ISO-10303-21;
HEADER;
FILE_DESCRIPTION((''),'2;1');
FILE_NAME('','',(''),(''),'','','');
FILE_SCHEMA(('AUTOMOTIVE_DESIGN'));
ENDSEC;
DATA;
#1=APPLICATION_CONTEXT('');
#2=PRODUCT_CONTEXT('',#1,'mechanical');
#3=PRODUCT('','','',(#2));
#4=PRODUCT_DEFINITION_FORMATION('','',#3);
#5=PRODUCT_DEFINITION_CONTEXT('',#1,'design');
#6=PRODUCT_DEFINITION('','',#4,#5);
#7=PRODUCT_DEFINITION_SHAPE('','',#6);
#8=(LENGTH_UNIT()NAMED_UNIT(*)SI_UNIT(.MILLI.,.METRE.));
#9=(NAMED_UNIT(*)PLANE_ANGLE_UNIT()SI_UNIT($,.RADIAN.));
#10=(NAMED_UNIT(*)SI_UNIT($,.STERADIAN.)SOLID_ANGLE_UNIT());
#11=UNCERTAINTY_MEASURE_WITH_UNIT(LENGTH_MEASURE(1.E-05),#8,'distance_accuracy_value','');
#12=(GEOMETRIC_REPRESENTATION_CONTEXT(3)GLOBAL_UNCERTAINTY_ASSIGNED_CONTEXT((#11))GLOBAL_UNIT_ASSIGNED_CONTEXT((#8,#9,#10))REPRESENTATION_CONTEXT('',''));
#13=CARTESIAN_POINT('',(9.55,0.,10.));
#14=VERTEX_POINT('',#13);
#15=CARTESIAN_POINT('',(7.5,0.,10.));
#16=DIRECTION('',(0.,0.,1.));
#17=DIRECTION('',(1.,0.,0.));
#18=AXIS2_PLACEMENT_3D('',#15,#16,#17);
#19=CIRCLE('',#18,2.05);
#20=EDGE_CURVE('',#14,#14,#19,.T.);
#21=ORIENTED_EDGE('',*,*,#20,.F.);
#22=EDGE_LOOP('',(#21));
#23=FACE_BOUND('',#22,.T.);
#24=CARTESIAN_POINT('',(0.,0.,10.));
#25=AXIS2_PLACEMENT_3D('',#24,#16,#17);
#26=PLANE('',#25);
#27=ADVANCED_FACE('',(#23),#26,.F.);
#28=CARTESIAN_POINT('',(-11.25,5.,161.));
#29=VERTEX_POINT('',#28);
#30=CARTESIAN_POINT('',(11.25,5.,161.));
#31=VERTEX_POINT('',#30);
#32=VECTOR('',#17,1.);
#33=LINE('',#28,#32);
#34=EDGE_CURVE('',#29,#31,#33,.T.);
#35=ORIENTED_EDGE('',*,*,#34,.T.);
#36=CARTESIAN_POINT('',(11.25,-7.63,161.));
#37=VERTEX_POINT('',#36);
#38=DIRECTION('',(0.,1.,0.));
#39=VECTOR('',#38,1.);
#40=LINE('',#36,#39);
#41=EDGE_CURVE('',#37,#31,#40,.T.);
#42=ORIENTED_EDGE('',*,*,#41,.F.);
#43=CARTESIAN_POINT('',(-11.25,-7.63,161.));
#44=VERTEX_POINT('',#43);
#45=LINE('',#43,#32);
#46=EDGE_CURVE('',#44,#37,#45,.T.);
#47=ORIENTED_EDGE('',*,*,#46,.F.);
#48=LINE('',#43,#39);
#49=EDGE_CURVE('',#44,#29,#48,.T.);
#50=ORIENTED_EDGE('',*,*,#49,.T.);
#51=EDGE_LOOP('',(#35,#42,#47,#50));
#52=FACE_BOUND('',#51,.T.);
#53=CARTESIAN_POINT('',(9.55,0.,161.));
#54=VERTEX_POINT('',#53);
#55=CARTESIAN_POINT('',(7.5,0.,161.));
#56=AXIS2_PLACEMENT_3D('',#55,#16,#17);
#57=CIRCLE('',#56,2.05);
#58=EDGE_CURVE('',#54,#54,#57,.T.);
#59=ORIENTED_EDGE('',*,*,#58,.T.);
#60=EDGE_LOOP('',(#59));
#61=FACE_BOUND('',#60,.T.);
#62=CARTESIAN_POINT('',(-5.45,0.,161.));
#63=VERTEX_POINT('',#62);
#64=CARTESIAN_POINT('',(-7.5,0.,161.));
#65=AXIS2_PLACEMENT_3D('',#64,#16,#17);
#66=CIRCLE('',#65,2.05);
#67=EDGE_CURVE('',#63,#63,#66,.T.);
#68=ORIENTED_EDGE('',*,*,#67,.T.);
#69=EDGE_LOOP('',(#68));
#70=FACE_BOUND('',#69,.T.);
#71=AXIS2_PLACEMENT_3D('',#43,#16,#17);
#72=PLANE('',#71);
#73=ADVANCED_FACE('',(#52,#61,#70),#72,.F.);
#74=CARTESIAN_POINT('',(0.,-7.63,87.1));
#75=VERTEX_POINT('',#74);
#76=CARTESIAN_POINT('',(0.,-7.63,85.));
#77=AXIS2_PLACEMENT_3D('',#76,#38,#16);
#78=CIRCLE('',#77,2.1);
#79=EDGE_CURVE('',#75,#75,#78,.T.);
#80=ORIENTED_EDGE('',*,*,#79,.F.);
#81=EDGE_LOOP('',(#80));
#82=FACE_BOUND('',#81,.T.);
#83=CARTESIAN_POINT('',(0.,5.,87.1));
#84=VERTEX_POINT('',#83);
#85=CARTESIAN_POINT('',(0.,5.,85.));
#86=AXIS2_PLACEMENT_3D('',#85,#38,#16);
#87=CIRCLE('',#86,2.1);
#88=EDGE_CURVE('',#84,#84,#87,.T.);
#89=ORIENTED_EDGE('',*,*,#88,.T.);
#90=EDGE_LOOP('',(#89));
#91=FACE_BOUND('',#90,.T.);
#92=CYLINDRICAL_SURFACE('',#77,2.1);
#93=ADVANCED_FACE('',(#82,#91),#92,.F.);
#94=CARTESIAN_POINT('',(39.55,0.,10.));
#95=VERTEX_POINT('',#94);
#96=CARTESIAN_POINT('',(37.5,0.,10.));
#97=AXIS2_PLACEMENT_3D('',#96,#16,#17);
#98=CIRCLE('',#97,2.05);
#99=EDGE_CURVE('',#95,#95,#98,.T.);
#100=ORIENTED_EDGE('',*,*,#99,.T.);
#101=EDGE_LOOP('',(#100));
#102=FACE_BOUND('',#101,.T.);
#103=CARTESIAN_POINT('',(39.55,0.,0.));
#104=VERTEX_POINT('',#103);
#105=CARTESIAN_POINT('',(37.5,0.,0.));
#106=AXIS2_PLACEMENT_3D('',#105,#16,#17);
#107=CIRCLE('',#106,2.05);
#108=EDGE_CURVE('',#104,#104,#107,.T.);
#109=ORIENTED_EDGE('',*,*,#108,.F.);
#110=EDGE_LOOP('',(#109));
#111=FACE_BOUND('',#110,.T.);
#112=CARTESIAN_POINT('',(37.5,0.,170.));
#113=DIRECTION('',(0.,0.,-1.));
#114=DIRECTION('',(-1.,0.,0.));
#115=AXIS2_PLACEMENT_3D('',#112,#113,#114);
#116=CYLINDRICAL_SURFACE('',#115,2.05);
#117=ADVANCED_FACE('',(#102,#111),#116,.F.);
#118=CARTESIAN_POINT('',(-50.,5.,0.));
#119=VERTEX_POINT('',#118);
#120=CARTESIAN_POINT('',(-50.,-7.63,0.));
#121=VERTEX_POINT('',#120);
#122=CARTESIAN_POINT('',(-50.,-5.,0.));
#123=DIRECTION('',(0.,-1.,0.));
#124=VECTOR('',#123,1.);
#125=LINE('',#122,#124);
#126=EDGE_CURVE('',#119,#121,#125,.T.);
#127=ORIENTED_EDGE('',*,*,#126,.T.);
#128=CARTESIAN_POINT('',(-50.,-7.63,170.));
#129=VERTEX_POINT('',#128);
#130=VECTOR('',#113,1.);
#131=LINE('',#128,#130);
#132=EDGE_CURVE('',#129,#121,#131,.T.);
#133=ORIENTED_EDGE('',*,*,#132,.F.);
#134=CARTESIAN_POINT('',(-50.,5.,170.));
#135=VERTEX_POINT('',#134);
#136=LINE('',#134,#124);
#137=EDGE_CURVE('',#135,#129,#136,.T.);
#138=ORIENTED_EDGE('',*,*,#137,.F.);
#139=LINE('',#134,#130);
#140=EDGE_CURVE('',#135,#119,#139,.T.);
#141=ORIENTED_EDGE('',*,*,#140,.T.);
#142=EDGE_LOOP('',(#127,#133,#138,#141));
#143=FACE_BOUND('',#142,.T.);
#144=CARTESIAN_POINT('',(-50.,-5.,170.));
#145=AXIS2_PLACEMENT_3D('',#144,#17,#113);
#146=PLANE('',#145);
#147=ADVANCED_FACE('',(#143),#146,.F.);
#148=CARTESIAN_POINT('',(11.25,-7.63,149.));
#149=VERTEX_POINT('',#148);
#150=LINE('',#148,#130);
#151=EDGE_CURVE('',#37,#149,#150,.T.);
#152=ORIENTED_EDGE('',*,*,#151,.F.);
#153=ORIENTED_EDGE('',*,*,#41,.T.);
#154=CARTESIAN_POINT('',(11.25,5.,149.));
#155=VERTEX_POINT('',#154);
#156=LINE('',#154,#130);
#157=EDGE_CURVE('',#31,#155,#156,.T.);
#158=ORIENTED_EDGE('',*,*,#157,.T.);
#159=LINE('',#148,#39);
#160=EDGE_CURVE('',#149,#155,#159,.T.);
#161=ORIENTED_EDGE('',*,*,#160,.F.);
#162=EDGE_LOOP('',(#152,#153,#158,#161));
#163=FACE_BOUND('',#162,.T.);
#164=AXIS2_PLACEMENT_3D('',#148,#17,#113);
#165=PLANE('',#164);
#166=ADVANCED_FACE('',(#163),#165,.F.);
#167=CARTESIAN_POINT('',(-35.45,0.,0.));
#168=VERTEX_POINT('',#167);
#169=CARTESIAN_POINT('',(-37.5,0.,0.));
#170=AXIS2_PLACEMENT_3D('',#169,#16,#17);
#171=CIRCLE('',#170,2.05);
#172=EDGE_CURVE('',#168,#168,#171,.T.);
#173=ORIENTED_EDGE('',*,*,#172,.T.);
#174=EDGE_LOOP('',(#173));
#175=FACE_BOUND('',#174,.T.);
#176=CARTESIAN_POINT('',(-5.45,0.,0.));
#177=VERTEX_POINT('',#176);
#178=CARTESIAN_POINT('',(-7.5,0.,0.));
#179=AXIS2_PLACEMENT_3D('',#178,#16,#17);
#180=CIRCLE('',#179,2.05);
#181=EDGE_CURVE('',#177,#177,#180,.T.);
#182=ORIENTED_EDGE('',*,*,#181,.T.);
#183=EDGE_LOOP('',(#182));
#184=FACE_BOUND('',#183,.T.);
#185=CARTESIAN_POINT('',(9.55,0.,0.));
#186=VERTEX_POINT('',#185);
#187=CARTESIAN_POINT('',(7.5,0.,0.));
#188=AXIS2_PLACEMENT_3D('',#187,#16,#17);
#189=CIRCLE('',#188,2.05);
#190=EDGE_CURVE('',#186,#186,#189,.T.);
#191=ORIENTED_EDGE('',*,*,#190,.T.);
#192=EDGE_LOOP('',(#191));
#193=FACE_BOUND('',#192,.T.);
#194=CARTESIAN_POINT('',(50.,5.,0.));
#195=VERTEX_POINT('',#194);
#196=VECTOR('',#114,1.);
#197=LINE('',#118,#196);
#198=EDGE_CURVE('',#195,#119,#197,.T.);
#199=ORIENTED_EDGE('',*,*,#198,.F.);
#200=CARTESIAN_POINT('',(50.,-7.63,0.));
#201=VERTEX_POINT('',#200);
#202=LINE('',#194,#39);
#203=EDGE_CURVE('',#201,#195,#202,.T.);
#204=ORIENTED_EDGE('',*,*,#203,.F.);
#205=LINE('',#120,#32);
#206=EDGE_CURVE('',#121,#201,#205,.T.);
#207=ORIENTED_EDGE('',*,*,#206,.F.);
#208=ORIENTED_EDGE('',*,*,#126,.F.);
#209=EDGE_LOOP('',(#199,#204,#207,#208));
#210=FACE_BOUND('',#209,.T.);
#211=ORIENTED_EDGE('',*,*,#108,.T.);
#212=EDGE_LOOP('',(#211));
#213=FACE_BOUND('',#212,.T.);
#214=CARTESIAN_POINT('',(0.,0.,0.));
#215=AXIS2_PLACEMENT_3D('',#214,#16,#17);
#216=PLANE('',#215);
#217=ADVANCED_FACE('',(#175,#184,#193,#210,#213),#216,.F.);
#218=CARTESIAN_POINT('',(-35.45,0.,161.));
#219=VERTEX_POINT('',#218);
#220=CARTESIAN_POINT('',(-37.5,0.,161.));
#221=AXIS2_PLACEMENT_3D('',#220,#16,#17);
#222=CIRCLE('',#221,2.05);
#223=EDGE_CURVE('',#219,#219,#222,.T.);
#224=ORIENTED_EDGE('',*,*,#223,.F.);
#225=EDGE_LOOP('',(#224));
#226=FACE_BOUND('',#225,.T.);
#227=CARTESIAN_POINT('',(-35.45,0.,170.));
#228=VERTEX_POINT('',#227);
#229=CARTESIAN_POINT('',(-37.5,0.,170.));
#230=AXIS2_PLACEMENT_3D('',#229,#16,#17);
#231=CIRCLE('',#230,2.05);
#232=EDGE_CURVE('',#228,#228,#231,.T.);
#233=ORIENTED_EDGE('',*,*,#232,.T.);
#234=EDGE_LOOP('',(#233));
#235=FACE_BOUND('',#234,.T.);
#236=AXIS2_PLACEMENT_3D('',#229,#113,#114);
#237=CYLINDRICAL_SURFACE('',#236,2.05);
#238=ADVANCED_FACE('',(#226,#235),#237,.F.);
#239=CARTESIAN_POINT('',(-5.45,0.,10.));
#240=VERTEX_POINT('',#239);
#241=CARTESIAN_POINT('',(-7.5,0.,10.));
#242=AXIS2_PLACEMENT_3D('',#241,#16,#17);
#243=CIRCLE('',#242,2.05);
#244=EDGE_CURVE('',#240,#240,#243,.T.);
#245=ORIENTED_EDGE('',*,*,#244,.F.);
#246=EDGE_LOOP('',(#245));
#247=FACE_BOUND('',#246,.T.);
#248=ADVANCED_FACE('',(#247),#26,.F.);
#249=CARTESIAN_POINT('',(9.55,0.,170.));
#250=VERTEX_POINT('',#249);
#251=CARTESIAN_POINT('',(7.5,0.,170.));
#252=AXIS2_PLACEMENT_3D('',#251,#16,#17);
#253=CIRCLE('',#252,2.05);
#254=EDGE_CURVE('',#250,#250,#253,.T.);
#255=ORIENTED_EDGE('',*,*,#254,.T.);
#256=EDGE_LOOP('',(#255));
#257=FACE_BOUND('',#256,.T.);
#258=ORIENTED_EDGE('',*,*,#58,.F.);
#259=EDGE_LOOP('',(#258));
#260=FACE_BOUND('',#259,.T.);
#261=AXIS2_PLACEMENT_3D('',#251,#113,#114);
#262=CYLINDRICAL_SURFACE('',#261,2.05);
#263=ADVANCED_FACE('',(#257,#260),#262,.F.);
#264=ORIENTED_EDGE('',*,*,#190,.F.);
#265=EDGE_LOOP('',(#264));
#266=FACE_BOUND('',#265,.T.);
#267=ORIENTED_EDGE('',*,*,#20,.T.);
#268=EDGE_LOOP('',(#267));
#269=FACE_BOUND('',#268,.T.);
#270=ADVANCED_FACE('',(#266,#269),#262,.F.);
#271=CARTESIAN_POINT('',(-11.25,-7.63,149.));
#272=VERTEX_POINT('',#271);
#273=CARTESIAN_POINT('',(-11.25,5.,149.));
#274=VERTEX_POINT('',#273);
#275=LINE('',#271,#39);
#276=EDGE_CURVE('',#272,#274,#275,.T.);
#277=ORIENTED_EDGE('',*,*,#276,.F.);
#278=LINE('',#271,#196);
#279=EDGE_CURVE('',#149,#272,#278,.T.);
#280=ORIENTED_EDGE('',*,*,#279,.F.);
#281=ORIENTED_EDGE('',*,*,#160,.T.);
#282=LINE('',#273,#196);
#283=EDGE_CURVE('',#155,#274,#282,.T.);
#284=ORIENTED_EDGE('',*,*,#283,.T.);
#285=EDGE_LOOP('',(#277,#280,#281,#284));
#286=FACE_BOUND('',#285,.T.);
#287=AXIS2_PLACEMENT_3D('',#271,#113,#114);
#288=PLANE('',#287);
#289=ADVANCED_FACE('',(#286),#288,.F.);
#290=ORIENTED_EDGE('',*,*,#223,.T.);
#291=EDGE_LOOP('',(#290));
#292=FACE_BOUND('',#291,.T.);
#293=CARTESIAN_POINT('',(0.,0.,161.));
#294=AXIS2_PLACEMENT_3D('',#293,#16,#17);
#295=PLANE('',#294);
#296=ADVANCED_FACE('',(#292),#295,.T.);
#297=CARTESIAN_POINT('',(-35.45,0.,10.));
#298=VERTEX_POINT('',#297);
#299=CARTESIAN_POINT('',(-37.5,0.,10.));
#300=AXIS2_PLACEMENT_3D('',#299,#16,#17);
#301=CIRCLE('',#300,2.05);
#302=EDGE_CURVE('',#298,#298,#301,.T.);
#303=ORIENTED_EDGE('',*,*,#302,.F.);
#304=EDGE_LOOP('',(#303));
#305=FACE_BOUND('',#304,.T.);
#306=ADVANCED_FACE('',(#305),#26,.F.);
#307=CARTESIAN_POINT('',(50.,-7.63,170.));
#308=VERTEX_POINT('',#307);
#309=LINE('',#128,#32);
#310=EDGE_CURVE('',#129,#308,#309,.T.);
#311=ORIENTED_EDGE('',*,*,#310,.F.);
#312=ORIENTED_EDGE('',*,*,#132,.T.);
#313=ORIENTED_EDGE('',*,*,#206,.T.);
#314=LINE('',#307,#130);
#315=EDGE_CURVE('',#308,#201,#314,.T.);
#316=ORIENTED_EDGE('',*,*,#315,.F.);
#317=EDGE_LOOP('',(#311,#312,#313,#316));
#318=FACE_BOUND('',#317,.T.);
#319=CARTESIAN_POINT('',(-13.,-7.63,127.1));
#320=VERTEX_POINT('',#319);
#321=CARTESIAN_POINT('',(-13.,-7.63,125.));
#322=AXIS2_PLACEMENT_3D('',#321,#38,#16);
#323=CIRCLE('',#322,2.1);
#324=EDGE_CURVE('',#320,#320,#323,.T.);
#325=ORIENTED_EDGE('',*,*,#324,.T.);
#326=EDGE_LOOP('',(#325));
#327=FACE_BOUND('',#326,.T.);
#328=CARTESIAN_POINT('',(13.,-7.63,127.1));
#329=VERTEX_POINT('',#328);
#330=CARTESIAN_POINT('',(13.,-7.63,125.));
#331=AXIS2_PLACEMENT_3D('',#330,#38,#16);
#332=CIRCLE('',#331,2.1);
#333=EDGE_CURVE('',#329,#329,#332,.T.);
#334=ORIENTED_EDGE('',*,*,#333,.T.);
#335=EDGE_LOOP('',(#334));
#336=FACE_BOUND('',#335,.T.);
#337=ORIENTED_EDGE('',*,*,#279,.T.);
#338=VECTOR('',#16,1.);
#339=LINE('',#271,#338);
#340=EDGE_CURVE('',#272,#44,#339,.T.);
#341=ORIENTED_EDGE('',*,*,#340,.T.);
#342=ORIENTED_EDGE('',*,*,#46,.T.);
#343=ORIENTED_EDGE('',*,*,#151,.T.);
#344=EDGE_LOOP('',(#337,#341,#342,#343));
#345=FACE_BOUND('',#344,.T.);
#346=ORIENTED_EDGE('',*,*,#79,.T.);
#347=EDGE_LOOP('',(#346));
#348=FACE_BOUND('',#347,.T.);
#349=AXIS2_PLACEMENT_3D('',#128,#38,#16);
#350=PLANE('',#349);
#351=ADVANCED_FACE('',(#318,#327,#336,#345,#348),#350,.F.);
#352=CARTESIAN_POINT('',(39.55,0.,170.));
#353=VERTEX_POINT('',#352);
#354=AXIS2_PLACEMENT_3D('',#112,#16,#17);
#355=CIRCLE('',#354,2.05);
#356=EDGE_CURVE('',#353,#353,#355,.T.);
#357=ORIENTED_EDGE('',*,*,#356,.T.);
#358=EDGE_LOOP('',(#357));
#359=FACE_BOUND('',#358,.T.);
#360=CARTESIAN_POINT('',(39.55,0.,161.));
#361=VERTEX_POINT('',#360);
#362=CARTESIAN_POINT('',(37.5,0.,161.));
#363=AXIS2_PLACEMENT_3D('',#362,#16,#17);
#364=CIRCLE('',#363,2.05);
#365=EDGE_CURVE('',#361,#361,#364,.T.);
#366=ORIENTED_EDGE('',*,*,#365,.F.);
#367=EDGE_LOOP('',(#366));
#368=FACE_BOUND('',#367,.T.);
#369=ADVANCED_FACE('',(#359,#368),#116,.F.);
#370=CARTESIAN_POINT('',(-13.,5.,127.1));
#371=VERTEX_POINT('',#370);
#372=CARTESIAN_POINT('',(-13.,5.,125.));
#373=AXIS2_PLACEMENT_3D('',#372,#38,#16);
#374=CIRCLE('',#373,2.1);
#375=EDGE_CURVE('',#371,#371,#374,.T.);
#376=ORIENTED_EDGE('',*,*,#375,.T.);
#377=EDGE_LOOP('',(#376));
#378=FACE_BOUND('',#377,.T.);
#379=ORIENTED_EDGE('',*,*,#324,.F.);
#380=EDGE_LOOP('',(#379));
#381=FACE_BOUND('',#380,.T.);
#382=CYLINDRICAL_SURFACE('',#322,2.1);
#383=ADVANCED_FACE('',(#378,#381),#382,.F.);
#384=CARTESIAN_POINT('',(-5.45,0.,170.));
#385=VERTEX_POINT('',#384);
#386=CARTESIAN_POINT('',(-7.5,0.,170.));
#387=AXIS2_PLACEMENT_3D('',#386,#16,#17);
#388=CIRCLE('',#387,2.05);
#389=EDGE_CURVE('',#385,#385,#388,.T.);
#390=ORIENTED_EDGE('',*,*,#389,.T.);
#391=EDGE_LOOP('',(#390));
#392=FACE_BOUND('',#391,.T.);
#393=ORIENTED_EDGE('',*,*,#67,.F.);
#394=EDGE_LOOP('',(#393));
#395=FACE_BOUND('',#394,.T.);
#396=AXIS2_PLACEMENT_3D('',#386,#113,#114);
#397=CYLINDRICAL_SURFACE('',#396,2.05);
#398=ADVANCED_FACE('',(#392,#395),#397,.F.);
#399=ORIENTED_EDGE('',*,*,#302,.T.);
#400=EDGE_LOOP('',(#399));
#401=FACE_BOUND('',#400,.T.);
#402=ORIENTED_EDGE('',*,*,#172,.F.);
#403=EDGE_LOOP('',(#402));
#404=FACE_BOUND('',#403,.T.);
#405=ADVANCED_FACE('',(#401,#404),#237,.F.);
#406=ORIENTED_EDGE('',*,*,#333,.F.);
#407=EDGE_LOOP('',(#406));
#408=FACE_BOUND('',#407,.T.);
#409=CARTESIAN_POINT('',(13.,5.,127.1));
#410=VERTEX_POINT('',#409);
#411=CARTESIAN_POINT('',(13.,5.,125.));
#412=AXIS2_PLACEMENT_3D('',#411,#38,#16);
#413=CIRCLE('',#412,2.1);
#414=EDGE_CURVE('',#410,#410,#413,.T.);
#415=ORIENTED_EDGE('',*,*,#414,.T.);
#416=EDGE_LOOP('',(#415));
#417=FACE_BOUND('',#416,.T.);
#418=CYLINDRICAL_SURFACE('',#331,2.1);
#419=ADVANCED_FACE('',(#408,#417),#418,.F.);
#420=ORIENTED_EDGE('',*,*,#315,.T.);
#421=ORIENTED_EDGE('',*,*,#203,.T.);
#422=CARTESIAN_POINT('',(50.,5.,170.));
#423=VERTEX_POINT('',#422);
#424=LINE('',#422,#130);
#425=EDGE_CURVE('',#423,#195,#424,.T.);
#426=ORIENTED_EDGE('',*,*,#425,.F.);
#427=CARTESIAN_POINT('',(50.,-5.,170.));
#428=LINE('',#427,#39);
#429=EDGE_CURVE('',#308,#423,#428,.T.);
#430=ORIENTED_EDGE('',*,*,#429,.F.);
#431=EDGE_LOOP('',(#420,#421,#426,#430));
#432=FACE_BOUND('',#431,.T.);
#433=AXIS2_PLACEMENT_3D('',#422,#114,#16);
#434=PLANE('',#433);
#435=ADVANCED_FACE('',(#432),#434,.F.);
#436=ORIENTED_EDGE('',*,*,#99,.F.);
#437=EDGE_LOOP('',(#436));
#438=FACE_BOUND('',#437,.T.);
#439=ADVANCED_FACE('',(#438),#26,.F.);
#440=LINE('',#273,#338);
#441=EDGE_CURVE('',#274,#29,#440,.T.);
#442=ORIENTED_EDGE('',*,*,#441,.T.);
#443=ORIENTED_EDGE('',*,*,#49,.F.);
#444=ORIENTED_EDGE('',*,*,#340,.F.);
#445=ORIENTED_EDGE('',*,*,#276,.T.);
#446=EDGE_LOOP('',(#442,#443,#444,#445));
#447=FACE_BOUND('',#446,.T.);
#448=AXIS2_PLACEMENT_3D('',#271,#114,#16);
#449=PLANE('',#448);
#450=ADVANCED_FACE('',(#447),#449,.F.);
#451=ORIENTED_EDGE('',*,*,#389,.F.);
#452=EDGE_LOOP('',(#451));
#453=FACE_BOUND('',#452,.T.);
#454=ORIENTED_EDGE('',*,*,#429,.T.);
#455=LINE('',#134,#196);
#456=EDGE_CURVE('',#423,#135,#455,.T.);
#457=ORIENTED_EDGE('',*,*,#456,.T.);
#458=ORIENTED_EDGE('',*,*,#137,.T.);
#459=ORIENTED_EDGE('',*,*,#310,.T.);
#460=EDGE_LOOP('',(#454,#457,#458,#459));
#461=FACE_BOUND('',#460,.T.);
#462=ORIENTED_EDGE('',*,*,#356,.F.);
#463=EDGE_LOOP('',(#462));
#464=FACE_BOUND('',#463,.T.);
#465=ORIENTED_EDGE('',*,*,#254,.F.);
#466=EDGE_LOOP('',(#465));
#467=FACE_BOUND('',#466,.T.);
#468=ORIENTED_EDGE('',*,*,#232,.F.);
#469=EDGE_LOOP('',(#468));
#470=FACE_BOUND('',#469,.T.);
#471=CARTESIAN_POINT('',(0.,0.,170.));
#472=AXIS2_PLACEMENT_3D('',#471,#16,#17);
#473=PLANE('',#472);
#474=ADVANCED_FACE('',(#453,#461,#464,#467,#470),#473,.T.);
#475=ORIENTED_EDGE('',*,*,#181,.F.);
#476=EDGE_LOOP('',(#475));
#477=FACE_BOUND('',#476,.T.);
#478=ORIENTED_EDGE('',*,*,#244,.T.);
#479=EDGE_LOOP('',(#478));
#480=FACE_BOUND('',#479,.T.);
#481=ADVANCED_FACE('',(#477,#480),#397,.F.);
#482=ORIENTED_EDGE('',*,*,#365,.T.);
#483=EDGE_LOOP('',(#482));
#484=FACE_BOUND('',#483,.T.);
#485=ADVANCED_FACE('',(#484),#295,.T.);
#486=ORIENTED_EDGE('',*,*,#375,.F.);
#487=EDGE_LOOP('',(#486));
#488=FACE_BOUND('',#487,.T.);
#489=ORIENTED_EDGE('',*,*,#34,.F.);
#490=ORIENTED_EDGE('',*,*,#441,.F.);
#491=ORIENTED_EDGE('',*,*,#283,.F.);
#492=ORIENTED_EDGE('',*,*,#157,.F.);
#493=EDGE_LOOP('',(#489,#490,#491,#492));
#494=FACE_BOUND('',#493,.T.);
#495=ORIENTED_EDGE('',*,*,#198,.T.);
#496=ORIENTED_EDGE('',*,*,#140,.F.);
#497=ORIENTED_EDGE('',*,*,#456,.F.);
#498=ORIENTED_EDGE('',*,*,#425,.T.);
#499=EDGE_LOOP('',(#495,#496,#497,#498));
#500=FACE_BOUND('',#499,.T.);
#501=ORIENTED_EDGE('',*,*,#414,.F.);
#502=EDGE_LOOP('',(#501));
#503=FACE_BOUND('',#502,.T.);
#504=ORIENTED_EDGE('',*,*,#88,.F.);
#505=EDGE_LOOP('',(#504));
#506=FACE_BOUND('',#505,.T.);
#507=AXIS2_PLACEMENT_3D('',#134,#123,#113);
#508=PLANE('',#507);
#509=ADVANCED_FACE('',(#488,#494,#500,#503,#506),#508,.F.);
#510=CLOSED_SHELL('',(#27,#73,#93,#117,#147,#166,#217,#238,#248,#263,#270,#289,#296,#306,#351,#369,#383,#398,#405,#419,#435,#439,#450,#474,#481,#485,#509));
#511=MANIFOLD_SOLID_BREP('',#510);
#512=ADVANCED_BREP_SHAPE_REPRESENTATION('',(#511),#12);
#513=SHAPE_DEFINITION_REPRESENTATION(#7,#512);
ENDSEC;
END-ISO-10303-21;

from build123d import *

# Parameters (mm, degrees)
SKETCH1_R           = 2.05
BOSS_EXTRUDE1_DEPTH = 170
BOSS_EXTRUDE3_START = 10
SKETCH1_3_R         = 2.05
BOSS_EXTRUDE3_DEPTH = 151
SKETCH3_R           = 2.1
SKETCH3_W           = 22.5
SKETCH3_H           = 12
CUT_EXTRUDE1_DEPTH  = 178.649984239


with BuildPart() as part:
    # Sketch1 → Boss-Extrude1 (new body)
    with BuildSketch(Plane.XY):
        Polygon((-50, 5), (50, 5), (50, -5), (50, -7.63), (-50, -7.63), (-50, -5), align=None)
        with Locations((-37.5, 0)):
            Circle(SKETCH1_R, mode=Mode.SUBTRACT)
        with Locations((-7.5, 0)):
            Circle(SKETCH1_R, mode=Mode.SUBTRACT)
        with Locations((7.5, 0)):
            Circle(SKETCH1_R, mode=Mode.SUBTRACT)
        with Locations((37.5, 0)):
            Circle(SKETCH1_R, mode=Mode.SUBTRACT)
    extrude(amount=BOSS_EXTRUDE1_DEPTH)

    # Sketch1<3> → Boss-Extrude3 (add)
    with BuildSketch(Plane.XY.offset(BOSS_EXTRUDE3_START)):
        with Locations((-37.5, 0)):
            Circle(SKETCH1_3_R)
        with Locations((-7.5, 0)):
            Circle(SKETCH1_3_R)
        with Locations((7.5, 0)):
            Circle(SKETCH1_3_R)
        with Locations((37.5, 0)):
            Circle(SKETCH1_3_R)
    extrude(amount=BOSS_EXTRUDE3_DEPTH)

    # Sketch3 → Cut-Extrude1 (cut, through all)
    with BuildSketch(Plane(origin=(0, 5, 0), x_dir=(1, 0, 0), z_dir=(0, 1, 0))):
        with Locations(Location((0, -85, 0), (0, 0, 270))):
            Circle(SKETCH3_R)
        with Locations(Location((13, -125, 0), (0, 0, 270))):
            Circle(SKETCH3_R)
        with Locations(Location((-13, -125, 0), (0, 0, 270))):
            Circle(SKETCH3_R)
        with Locations((0, -155)):
            Rectangle(SKETCH3_W, SKETCH3_H)
    extrude(amount=-CUT_EXTRUDE1_DEPTH, mode=Mode.SUBTRACT)


solid = part.part
